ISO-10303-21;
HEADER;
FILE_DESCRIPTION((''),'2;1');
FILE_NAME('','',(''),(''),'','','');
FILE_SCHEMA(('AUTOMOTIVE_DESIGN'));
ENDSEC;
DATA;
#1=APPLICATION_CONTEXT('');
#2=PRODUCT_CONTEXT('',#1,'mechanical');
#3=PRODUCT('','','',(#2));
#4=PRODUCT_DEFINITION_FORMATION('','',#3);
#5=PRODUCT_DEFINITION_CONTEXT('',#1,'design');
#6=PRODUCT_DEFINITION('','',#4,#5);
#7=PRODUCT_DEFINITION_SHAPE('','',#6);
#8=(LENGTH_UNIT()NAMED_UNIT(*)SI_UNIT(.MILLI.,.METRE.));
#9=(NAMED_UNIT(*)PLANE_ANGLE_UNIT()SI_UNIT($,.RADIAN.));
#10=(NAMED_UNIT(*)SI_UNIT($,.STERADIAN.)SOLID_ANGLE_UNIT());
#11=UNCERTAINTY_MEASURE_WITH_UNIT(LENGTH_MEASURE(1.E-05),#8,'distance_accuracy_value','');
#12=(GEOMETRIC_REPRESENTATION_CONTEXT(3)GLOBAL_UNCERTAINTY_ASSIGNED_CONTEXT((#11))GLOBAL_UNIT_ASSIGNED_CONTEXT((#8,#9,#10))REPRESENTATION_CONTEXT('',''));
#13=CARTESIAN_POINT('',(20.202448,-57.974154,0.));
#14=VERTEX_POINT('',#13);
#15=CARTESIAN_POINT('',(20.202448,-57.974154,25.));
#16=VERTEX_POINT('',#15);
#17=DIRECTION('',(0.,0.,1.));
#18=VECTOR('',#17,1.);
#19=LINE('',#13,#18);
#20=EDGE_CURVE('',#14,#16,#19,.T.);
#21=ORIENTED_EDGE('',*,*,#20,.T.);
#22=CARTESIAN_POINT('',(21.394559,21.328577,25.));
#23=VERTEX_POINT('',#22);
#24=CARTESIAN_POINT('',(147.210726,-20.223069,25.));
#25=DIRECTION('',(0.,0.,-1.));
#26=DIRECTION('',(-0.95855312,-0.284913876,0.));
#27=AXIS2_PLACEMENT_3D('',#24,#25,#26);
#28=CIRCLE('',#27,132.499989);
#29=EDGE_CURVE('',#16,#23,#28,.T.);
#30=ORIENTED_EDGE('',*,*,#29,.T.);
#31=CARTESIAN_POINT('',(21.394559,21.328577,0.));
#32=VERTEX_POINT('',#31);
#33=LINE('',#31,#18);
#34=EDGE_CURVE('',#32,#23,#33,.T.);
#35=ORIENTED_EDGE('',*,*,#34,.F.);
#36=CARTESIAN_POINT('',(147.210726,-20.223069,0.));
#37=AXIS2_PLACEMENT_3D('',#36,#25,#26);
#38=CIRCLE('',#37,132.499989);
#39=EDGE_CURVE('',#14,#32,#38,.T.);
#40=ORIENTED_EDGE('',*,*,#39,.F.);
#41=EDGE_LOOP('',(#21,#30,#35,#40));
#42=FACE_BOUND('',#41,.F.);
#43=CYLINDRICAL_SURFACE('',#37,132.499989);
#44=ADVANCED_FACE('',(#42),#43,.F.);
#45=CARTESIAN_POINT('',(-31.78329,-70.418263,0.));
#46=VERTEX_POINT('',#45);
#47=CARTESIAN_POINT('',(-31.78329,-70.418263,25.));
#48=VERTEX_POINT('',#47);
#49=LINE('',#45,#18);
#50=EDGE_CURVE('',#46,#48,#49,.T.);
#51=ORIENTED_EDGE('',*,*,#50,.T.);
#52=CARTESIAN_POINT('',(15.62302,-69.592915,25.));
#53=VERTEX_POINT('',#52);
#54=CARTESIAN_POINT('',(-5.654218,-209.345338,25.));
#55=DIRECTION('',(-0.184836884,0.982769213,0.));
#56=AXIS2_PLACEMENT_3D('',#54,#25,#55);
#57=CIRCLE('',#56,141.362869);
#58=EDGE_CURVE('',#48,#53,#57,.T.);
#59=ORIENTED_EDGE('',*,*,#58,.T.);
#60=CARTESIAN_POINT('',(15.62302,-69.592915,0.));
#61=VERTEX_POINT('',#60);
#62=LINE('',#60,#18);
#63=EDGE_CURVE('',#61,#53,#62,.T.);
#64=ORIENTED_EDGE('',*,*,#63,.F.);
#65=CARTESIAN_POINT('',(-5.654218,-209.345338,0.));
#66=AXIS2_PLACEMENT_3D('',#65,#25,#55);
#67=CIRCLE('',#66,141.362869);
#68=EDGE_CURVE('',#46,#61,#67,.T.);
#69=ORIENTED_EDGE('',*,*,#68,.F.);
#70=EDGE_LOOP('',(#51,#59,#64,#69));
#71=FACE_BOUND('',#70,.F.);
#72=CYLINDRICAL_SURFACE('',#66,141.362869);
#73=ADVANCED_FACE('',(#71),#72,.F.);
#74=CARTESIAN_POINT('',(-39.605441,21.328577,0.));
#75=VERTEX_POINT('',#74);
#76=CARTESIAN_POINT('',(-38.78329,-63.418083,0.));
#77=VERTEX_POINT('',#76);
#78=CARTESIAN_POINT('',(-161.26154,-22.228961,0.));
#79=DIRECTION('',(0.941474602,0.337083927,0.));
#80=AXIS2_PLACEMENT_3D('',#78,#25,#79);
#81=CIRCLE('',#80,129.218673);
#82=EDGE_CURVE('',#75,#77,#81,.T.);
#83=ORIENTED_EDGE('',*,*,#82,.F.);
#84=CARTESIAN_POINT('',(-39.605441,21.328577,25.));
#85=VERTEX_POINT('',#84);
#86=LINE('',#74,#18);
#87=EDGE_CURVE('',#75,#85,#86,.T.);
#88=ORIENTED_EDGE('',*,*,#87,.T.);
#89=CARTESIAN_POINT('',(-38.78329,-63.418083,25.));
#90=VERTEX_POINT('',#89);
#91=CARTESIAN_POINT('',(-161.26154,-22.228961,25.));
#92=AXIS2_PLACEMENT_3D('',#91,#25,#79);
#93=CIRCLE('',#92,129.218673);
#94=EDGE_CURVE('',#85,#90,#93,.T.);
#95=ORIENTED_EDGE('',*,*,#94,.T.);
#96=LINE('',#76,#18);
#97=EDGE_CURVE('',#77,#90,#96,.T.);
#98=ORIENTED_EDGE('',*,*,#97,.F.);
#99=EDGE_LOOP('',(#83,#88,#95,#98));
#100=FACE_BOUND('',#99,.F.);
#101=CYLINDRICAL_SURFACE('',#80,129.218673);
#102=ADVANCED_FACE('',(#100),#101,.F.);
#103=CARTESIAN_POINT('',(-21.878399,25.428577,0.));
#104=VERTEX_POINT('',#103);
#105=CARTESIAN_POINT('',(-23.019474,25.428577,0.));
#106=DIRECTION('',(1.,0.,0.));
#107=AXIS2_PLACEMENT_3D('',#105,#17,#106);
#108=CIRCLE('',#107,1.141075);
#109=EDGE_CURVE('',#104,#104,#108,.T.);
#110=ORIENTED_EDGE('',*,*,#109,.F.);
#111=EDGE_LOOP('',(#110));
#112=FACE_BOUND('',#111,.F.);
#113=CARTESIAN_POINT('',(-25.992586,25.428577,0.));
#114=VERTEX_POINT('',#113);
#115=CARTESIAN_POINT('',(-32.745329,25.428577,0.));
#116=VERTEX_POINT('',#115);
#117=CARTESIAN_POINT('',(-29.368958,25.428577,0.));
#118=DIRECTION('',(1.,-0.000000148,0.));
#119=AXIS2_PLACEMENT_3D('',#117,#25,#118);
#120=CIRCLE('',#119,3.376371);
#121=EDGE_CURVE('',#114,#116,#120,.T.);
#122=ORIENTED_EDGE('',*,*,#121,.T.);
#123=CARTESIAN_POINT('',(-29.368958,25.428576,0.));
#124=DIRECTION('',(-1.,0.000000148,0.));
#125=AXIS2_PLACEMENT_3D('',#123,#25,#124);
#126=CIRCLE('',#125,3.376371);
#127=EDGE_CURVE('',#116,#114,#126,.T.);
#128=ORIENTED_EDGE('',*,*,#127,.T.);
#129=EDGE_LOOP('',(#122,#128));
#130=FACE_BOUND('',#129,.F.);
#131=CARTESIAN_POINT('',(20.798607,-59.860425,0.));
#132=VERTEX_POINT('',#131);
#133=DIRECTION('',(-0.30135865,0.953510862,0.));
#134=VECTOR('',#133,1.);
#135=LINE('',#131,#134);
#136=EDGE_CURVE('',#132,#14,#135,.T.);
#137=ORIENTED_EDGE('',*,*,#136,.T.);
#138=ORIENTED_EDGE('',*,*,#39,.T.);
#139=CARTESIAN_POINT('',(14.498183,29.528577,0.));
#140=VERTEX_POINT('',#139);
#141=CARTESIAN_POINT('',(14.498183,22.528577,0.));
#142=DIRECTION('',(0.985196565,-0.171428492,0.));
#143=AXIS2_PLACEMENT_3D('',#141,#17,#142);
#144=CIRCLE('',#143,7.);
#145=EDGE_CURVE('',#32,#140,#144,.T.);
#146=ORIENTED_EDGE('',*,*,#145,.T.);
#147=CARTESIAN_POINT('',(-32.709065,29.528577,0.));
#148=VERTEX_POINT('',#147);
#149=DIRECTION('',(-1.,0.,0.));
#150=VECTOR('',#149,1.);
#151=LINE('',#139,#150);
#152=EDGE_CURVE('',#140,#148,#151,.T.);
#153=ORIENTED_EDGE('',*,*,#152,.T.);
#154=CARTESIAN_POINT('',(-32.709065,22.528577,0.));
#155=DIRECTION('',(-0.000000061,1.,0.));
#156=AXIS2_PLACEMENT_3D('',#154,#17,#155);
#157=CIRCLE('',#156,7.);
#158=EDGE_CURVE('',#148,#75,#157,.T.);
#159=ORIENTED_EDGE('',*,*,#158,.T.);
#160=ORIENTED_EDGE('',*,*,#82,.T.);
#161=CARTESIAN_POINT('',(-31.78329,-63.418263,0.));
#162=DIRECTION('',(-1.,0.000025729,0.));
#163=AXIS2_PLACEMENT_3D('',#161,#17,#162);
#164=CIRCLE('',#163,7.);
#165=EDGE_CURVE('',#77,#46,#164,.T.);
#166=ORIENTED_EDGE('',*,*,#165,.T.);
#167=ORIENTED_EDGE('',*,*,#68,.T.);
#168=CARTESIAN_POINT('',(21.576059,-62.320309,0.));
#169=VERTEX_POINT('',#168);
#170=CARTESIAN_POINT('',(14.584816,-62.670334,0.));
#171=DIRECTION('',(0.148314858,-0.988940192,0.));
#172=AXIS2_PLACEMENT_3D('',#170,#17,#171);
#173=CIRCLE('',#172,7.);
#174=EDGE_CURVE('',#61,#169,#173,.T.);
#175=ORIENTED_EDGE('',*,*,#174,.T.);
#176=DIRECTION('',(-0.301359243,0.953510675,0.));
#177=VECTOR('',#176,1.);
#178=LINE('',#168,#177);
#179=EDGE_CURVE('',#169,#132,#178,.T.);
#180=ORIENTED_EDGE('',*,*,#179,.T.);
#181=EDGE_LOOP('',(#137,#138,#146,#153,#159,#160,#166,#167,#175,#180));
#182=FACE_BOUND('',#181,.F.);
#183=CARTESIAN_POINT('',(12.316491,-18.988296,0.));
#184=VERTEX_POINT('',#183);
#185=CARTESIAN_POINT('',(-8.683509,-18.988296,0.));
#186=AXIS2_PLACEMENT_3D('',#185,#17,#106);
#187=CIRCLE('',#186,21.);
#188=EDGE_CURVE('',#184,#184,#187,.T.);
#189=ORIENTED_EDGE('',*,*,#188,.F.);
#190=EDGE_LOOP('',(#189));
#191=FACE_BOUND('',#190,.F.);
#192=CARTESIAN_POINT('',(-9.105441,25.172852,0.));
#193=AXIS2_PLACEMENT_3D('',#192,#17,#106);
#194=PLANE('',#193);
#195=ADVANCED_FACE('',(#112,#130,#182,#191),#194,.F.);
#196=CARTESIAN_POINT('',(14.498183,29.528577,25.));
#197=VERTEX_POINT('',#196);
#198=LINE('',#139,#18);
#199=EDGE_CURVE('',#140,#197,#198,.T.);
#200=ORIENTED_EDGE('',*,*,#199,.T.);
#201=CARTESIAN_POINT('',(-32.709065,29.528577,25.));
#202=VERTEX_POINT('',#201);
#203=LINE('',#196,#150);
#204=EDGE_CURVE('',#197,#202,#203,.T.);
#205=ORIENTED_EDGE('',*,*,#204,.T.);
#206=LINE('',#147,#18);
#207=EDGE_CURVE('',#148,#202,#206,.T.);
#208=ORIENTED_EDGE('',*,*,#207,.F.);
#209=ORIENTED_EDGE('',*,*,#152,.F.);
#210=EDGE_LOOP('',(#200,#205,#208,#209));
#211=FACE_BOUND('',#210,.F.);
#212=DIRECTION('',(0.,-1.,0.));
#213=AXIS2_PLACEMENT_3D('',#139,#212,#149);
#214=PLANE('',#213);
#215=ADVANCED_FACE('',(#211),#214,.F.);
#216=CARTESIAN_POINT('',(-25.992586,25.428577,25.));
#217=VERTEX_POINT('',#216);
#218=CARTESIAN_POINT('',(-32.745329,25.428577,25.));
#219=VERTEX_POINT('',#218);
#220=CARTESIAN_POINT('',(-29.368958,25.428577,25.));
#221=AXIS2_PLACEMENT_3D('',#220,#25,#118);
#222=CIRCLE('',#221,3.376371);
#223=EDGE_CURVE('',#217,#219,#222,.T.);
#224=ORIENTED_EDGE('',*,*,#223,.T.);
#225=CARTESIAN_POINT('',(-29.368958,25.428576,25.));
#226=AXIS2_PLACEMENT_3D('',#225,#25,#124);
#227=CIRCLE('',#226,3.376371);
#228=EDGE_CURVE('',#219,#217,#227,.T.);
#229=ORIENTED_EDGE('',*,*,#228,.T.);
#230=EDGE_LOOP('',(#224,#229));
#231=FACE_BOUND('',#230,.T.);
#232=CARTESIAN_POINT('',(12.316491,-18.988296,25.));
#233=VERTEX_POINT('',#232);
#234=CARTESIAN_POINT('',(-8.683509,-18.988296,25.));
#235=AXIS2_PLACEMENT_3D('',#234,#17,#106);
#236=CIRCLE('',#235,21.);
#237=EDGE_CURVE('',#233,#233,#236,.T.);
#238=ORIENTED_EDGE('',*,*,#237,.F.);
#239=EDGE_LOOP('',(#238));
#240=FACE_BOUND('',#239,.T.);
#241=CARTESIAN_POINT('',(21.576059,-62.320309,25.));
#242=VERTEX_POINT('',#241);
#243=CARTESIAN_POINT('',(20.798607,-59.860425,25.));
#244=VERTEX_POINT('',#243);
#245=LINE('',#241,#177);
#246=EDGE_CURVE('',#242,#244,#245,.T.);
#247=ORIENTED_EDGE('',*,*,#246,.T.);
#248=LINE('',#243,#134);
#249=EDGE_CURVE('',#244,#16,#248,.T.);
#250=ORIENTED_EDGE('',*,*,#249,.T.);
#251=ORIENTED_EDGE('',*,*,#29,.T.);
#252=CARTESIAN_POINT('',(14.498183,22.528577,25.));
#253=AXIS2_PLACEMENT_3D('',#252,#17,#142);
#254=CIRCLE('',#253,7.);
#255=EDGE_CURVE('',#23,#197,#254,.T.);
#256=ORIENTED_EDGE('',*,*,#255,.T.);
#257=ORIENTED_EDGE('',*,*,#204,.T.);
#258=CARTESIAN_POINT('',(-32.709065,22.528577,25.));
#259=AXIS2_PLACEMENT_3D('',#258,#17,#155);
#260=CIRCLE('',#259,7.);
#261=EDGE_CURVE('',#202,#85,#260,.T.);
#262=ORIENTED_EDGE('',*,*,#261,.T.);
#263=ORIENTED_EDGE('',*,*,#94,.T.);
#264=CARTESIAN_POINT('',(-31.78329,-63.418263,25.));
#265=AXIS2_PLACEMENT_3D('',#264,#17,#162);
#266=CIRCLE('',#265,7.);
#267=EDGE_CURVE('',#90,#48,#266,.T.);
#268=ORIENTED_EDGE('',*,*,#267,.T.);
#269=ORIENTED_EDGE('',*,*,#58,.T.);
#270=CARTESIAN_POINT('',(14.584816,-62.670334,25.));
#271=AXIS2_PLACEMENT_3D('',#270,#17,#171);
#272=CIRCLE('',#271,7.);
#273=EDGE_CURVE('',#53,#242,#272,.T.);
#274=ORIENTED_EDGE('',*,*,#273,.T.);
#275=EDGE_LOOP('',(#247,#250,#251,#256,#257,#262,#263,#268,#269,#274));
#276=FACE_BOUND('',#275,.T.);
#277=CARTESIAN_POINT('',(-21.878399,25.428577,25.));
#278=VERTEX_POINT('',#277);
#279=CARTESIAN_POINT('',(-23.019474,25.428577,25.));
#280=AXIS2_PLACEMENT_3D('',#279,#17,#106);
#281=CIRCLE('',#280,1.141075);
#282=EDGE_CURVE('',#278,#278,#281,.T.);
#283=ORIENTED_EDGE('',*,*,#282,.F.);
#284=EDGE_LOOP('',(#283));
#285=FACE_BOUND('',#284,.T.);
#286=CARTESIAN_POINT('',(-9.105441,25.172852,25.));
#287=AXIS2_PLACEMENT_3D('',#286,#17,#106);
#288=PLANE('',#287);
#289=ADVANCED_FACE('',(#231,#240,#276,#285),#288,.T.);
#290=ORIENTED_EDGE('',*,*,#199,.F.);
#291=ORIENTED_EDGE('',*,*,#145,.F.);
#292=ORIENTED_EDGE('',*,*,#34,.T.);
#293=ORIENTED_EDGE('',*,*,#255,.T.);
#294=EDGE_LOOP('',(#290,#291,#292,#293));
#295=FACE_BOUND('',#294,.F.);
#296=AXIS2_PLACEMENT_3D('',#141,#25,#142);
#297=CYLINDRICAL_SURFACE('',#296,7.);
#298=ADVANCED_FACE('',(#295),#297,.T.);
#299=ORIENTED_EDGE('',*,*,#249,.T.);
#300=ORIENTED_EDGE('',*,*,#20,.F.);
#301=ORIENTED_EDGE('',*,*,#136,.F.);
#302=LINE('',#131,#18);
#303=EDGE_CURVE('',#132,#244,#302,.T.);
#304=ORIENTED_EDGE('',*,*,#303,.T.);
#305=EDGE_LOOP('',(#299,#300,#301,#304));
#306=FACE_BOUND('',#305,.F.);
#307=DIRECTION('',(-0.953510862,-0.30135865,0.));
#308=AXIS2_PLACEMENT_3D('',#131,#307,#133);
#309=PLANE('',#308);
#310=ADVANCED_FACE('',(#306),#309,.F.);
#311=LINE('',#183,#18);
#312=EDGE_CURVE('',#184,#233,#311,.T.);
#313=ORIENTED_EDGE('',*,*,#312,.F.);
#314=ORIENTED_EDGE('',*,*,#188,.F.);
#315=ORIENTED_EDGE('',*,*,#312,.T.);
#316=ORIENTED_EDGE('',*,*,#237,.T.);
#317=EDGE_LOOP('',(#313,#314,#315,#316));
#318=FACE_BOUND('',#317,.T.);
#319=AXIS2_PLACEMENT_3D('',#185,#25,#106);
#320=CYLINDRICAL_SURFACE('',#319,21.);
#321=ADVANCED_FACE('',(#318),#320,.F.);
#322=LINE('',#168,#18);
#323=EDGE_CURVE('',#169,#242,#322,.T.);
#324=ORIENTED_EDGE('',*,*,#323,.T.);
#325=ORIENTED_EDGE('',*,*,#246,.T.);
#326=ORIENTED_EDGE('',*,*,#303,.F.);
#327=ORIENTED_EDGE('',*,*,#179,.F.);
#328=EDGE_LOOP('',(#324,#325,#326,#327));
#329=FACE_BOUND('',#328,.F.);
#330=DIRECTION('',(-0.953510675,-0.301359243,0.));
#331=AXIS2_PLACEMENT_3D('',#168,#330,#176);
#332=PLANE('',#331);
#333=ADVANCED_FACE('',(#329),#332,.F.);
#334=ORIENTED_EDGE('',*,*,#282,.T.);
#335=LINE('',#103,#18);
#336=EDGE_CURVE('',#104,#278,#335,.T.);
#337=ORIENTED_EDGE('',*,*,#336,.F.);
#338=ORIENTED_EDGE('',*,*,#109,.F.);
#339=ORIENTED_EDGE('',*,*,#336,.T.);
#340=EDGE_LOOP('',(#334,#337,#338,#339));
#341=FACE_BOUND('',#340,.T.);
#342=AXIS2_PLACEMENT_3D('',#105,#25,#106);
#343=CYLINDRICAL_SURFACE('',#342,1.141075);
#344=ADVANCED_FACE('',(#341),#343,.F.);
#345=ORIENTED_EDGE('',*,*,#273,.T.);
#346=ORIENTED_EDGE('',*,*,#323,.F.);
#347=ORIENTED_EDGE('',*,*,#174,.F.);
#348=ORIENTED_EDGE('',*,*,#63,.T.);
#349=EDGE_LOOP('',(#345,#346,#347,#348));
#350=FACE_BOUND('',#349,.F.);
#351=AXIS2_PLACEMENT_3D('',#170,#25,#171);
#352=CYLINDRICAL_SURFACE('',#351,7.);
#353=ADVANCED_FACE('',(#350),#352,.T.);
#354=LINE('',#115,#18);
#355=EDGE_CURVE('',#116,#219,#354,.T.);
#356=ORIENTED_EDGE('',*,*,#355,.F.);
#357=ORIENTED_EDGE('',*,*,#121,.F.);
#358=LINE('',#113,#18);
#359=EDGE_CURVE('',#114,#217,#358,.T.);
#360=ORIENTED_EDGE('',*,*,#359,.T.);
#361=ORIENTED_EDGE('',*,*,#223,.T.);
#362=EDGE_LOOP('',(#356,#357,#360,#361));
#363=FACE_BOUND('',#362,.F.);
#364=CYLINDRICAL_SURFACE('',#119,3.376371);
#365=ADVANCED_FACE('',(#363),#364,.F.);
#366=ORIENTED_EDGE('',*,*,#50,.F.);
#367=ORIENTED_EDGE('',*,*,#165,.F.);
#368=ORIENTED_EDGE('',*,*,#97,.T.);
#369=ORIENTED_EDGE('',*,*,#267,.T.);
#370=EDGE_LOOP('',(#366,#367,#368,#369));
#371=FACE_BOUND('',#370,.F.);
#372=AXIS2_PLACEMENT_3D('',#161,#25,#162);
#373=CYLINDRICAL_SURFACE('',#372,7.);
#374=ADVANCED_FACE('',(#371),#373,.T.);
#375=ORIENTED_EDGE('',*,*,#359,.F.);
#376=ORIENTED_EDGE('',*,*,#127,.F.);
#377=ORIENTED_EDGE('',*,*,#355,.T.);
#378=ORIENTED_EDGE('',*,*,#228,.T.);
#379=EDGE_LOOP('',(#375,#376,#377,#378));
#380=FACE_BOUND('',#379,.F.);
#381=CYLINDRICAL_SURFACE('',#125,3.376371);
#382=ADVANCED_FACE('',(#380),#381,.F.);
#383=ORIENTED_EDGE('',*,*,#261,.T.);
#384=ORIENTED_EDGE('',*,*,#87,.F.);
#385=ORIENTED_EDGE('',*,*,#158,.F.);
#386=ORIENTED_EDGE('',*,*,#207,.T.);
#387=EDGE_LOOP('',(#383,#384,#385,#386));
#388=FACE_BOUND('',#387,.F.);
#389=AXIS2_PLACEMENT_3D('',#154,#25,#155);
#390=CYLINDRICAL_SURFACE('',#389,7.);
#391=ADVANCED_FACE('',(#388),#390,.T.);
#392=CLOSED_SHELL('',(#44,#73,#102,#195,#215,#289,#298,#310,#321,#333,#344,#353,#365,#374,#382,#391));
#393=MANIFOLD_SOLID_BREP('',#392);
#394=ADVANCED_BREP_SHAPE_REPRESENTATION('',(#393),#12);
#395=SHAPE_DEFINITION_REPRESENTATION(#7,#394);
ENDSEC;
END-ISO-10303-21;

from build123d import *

# Parameters (mm, degrees)
F0_R     = 1.141075
F0_R_2   = 21
F1_DEPTH = 25


with BuildPart() as f1:
    # F0 (on Top) → F1 (new body)
    with BuildSketch(Plane.XY):
        with BuildLine():
            Line((14.498183, 29.528577), (-32.709065, 29.528577))
            ThreePointArc((-32.709065, 29.528577), (-38.066303, 27.034129), (-39.605441, 21.328577))
            Line((-39.605441, 21.328577), (21.394559, 21.328577))
            ThreePointArc((21.394559, 21.328577), (19.855421, 27.034129), (14.498183, 29.528577))
        make_face()
        with BuildLine():
            ThreePointArc((-32.745329, 25.428577), (-29.368958, 28.804948), (-25.992586, 25.428577))
            ThreePointArc((-25.992586, 25.428577), (-29.368958, 22.052206), (-32.745329, 25.428577))
        make_face(mode=Mode.SUBTRACT)
        with Locations((-23.019474, 25.428577)):
            Circle(F0_R, mode=Mode.SUBTRACT)
        with BuildLine():
            Line((21.394559, 21.328577), (-39.605441, 21.328577))
            ThreePointArc((-39.605441, 21.328577), (-32.048947, -20.975433), (-38.78329, -63.418083))
            ThreePointArc((-38.78329, -63.418083), (-36.733101, -68.367947), (-31.78329, -70.418263))
            ThreePointArc((-31.78329, -70.418263), (-8.114985, -68.003889), (15.62302, -69.592915))
            ThreePointArc((15.62302, -69.592915), (20.001522, -67.104214), (21.576059, -62.320309))
            ThreePointArc((21.576059, -62.320309), (21.170633, -61.090441), (20.777246, -59.85667))
            ThreePointArc((20.777246, -59.85667), (20.486351, -58.91648), (20.202448, -57.974154))
            ThreePointArc((20.202448, -57.974154), (14.725705, -18.2315), (21.394559, 21.328577))
        make_face()
        with Locations((-8.683509, -18.988296)):
            Circle(F0_R_2, mode=Mode.SUBTRACT)
        with BuildLine():
            Line((20.798607, -59.860425), (20.202448, -57.974154))
            ThreePointArc((20.202448, -57.974154), (20.486351, -58.91648), (20.777246, -59.85667))
            Line((20.777246, -59.85667), (20.798607, -59.860425))
        make_face()
        with BuildLine():
            Line((20.798607, -59.860425), (20.777246, -59.85667))
            ThreePointArc((20.777246, -59.85667), (21.170633, -61.090441), (21.576059, -62.320309))
            Line((21.576059, -62.320309), (20.798607, -59.860425))
        make_face()
    extrude(amount=F1_DEPTH)


solid = f1.part
